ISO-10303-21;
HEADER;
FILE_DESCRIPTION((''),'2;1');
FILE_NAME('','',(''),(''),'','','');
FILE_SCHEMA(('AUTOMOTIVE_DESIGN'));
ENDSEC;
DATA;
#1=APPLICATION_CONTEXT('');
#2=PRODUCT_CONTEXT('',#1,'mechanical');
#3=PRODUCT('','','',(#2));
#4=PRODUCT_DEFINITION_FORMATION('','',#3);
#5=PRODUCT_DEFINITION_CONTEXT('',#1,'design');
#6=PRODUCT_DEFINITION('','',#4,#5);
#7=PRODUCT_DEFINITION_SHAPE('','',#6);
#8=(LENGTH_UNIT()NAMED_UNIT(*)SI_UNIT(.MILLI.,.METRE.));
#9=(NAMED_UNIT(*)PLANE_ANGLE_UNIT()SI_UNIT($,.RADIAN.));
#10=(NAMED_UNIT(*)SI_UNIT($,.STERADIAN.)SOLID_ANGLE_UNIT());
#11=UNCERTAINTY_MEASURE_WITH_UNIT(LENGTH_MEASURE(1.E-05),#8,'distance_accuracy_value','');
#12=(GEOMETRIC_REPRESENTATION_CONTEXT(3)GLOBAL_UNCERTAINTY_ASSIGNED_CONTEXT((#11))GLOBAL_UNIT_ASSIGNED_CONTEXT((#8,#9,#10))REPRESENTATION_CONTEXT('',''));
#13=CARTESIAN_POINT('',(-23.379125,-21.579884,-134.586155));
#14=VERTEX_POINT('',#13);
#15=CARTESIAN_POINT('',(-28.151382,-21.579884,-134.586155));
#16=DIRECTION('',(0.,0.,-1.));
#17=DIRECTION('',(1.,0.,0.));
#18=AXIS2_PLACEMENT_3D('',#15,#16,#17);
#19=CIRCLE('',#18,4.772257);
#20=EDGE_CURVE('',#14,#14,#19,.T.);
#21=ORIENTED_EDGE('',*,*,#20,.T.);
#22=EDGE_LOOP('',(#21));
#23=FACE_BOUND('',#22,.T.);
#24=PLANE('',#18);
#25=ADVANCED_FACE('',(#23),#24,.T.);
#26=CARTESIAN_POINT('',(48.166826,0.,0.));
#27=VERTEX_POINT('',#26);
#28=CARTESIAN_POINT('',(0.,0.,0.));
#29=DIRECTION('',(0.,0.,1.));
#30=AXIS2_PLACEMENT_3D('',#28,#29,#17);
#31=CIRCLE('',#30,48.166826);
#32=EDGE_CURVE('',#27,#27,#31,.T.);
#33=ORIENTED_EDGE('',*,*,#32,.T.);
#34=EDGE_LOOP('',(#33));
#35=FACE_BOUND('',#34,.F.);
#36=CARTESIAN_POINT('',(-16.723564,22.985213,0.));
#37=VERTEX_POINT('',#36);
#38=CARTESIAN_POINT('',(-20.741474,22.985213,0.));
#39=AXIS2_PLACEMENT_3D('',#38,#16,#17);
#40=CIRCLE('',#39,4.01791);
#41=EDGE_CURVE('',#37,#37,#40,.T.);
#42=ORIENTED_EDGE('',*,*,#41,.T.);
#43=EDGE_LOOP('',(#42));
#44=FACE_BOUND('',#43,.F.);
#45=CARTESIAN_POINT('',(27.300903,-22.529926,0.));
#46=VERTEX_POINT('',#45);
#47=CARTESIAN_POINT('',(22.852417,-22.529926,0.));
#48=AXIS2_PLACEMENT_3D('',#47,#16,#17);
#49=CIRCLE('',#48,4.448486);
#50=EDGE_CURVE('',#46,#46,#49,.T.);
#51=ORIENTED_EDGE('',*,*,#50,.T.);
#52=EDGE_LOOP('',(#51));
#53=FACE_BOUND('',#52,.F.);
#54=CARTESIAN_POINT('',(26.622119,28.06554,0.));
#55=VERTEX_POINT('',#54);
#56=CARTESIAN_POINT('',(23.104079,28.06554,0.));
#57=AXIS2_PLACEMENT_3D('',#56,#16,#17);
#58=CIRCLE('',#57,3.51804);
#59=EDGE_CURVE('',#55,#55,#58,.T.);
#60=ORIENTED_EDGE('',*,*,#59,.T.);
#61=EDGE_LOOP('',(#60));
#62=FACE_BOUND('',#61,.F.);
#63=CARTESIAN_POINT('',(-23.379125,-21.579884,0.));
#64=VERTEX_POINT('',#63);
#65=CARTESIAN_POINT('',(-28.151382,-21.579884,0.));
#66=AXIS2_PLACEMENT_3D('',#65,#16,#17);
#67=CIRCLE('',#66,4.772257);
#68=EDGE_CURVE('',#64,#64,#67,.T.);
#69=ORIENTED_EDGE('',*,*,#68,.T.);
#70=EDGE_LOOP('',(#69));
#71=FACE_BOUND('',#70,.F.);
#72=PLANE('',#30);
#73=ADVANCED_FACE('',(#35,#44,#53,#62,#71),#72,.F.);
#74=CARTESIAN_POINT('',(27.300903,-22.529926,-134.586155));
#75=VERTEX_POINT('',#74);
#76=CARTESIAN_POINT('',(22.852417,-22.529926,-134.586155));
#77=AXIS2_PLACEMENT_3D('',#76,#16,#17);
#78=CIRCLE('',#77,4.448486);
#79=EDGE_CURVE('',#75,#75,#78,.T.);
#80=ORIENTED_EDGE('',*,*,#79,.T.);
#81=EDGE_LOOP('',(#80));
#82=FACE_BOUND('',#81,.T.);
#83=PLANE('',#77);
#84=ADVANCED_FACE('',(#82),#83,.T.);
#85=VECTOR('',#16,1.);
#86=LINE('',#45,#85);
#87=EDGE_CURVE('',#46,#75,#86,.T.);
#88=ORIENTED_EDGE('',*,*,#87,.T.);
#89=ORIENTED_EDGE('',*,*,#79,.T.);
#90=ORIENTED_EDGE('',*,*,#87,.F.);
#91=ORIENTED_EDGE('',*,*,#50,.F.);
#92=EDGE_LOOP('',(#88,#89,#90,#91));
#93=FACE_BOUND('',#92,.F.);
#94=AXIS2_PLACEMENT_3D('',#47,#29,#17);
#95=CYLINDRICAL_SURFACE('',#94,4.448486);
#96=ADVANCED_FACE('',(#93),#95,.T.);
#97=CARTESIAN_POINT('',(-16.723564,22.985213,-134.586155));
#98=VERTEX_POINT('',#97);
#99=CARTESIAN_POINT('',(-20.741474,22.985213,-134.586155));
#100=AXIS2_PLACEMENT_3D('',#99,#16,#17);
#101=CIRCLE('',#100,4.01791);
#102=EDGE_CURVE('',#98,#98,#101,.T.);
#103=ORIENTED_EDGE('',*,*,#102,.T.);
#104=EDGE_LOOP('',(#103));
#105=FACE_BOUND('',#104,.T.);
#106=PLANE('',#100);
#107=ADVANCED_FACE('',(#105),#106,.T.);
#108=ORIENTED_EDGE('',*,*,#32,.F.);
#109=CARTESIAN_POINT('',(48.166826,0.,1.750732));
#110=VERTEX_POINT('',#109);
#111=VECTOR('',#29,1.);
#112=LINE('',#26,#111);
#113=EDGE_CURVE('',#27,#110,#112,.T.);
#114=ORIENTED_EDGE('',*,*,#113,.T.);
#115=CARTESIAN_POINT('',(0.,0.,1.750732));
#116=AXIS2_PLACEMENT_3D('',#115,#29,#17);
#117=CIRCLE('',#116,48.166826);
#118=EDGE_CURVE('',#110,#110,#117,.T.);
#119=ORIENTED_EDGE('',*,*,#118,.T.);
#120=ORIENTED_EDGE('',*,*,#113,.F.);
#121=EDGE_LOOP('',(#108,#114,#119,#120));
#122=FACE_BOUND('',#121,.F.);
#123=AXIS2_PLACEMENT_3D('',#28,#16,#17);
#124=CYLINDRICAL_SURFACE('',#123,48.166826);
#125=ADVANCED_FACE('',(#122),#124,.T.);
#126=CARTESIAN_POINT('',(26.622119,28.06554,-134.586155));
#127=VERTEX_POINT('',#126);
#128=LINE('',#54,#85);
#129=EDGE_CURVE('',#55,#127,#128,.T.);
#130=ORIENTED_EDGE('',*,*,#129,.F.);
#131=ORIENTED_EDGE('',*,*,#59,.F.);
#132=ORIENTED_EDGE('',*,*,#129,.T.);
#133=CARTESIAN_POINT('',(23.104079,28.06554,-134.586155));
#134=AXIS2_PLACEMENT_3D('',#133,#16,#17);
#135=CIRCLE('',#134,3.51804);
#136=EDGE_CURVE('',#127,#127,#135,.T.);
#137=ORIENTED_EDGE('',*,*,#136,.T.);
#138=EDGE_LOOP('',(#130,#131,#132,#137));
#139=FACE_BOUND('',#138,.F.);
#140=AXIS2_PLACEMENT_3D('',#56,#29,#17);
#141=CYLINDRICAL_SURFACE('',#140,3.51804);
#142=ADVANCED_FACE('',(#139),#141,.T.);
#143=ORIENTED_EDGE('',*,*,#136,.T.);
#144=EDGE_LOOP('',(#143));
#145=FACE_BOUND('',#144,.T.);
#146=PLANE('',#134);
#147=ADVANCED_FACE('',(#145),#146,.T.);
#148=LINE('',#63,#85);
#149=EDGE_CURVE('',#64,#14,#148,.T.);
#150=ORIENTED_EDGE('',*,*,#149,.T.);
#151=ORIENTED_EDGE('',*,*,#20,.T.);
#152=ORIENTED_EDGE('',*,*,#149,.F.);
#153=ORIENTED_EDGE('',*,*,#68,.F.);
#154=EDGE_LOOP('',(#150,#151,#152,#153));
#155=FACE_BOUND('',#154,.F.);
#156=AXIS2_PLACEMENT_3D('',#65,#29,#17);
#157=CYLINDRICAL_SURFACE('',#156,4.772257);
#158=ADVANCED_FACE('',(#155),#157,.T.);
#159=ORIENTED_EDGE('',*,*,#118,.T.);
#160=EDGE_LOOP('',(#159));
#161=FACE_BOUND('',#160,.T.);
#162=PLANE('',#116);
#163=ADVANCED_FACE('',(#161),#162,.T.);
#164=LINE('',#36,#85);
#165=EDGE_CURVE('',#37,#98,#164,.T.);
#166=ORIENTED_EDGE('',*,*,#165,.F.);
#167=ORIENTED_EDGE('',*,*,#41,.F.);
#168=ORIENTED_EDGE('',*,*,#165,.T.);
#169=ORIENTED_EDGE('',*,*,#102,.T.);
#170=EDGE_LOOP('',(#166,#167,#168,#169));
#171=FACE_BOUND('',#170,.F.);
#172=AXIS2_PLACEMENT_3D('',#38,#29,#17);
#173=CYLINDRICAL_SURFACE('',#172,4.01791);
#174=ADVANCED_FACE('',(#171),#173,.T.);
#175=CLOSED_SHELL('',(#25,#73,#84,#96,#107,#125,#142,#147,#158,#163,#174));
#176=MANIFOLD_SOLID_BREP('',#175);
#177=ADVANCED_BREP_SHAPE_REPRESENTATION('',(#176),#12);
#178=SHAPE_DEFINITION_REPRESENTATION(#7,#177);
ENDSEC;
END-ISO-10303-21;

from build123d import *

# Parameters (mm, degrees)
F0_R     = 48.166826
F1_DEPTH = 1.750732
F3_R     = 4.01791
F3_R_2   = 4.772257
F3_R_3   = 4.448486
F3_R_4   = 3.51804
F4_DEPTH = 134.586155


with BuildPart() as f1:
    # F0 (on Top) → F1 (new body)
    with BuildSketch(Plane.XY):
        Circle(F0_R)
    extrude(amount=F1_DEPTH)

    # F3 (on face) → F4 (join)
    with BuildSketch(Plane(origin=(0, 0, 0), x_dir=(1, 0, 0), z_dir=(0, 0, -1))):
        with Locations((-20.741474, -22.985213)):
            Circle(F3_R)
        with Locations((-28.151382, 21.579884)):
            Circle(F3_R_2)
        with Locations((22.852417, 22.529926)):
            Circle(F3_R_3)
        with Locations((23.104079, -28.06554)):
            Circle(F3_R_4)
    extrude(amount=F4_DEPTH)


solid = f1.part
